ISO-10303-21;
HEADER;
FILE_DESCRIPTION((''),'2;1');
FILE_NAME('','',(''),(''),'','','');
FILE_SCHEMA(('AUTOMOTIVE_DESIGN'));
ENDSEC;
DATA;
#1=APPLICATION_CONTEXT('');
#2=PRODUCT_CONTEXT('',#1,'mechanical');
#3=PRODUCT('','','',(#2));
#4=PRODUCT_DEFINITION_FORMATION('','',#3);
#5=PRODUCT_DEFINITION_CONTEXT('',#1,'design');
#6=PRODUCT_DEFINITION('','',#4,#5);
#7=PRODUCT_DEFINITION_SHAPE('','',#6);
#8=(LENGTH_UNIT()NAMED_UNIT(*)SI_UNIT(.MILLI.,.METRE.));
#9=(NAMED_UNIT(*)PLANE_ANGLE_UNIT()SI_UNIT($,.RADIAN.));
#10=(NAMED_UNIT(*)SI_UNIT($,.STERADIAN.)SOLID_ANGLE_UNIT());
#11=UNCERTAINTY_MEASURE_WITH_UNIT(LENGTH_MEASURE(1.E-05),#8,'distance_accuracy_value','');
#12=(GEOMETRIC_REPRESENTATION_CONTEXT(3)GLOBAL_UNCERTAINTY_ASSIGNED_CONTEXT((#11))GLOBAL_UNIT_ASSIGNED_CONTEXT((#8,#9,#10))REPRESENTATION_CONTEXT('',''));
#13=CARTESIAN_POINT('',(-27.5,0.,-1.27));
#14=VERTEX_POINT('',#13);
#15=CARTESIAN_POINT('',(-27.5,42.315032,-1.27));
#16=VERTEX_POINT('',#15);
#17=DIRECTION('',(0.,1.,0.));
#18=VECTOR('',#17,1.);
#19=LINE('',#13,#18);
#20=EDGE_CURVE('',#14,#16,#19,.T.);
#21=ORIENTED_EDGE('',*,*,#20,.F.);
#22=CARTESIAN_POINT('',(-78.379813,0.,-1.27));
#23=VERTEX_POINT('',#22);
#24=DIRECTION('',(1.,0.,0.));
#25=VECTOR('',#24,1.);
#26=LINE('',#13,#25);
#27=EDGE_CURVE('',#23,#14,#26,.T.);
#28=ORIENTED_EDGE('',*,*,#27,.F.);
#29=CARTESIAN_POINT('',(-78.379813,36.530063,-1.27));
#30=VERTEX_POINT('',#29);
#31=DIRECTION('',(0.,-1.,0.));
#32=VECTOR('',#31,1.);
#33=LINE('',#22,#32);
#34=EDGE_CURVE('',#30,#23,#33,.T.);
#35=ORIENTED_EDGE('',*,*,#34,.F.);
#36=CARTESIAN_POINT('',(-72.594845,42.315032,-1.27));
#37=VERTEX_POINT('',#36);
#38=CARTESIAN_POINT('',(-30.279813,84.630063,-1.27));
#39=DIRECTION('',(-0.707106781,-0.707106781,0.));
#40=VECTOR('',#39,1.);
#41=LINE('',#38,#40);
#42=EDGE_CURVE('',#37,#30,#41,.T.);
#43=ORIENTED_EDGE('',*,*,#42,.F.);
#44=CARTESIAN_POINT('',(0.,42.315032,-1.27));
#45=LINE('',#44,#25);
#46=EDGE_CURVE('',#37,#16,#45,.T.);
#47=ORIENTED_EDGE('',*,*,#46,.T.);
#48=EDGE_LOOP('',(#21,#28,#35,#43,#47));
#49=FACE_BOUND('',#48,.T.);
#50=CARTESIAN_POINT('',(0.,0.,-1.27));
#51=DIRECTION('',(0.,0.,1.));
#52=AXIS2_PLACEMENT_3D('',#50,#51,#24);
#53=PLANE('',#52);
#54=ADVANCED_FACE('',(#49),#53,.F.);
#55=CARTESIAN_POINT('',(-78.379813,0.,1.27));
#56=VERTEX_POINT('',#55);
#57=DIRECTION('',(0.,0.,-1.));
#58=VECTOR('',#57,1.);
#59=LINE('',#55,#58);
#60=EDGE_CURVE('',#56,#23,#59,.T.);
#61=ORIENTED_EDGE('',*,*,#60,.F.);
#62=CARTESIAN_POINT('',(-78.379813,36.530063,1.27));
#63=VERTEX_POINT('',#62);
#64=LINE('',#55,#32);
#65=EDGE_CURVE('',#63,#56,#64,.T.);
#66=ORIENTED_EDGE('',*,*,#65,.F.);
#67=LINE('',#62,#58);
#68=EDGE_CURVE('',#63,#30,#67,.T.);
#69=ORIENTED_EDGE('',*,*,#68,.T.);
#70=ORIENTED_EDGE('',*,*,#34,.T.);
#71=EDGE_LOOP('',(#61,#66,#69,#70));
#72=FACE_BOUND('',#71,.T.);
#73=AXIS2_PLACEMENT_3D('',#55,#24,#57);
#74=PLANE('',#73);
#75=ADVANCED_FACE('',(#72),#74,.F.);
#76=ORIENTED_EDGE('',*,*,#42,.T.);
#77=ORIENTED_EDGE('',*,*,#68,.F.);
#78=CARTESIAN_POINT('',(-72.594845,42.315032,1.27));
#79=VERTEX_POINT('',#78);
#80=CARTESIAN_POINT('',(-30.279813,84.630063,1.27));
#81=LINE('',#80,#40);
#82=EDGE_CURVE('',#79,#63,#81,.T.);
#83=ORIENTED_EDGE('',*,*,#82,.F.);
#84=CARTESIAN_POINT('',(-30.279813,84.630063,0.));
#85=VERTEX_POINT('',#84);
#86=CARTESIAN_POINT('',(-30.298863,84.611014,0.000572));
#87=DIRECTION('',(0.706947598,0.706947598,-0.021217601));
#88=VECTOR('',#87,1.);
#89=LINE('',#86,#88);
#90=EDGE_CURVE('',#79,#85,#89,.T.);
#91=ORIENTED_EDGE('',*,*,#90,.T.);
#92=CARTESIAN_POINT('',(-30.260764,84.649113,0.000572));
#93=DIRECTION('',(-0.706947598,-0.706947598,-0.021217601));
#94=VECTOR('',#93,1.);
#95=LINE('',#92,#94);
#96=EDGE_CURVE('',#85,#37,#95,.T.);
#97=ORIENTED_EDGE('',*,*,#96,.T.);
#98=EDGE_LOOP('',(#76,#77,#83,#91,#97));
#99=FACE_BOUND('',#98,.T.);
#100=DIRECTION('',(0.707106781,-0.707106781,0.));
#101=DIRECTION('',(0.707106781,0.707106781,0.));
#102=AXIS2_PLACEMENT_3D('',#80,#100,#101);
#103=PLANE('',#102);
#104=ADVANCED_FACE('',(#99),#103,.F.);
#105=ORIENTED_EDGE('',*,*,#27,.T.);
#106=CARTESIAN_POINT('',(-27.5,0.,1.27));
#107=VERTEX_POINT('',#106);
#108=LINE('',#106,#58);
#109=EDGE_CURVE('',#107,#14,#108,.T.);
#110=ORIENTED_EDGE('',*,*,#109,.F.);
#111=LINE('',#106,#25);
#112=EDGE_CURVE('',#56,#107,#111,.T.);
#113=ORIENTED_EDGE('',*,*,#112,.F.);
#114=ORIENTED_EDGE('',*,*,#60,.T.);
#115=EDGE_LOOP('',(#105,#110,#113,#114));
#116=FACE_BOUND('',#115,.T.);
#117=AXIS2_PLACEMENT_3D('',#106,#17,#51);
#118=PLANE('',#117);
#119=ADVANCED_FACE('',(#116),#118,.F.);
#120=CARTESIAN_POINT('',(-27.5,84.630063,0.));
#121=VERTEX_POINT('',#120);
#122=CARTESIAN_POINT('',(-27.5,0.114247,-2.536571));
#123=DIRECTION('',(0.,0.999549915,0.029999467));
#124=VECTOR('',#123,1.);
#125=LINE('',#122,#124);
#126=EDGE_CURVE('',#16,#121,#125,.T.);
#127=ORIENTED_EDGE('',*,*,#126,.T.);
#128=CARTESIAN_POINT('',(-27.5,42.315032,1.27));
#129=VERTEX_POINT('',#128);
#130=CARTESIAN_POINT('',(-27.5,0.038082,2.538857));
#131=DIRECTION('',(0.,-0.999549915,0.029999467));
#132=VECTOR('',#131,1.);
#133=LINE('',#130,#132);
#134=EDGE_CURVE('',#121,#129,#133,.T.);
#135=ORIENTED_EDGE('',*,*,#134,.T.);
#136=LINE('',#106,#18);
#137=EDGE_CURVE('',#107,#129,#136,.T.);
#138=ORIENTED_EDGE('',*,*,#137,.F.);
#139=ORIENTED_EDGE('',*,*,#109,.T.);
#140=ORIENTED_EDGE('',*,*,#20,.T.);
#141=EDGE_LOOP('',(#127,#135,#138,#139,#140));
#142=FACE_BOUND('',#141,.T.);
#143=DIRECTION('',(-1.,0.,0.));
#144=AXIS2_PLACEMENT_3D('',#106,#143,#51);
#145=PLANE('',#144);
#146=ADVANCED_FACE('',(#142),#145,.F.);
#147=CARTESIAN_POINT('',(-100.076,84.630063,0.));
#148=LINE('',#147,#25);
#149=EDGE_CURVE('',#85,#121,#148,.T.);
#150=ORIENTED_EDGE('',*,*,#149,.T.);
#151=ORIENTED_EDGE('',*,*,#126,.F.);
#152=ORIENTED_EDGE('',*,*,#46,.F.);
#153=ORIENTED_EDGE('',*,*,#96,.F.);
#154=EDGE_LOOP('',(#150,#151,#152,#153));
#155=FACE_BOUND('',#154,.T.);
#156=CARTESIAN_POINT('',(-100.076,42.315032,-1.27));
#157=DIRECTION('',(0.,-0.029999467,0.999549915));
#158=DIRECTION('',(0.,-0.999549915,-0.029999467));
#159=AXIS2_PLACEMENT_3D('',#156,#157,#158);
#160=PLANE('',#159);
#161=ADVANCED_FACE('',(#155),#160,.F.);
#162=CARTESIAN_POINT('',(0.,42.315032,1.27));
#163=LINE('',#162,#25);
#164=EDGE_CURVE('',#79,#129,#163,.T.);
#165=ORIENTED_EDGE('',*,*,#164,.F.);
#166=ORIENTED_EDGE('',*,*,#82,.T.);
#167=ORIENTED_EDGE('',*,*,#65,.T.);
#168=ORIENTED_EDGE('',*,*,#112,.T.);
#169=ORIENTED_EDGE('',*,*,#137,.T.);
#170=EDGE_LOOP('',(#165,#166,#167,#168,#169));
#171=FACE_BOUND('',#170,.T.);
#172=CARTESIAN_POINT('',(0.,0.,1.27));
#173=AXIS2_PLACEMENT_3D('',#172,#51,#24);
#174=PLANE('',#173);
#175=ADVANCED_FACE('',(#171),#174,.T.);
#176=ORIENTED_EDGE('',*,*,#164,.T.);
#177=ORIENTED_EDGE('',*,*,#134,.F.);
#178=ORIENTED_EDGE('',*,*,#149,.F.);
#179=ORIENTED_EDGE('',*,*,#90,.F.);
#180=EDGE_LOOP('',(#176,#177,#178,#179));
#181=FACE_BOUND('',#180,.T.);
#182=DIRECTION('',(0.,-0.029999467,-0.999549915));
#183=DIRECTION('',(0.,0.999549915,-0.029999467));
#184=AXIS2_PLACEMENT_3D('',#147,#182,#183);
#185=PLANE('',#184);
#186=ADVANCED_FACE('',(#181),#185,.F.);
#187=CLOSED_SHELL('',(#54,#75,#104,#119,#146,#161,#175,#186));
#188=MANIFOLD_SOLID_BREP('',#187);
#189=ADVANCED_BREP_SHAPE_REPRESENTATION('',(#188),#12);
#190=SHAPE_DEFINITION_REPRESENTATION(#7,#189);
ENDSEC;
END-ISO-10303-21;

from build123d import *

# Parameters (mm, degrees)
BOSS_EXTRUDE2_DEPTH = 1.27
CUT_EXTRUDE1_DEPTH  = 100.076


with BuildPart() as part:
    # Sketch2 → Boss-Extrude2 (new, symmetric)
    with BuildSketch(Plane.XY):
        Polygon((-30.279813291, 84.630063366), (-78.379813291, 36.530063366), (-78.379813291, 0), (-27.5, 0), (-27.5, 84.630063366), align=None)
    extrude(amount=BOSS_EXTRUDE2_DEPTH, both=True)

    # Sketch3 → Cut-Extrude1 (cut)
    with BuildSketch(Plane(origin=(0, 0, 0), x_dir=(0, 0, -1), z_dir=(1, 0, 0))):
        Polygon((0, 84.630063366), (-1.27, 42.315031683), (-13.710908903, 42.315031683), (-13.710908903, 86.832104907), (21.305265315, 86.832104907), (21.305265315, 42.315031683), (1.27, 42.315031683), align=None)
    extrude(amount=-CUT_EXTRUDE1_DEPTH, mode=Mode.SUBTRACT)


solid = part.part
